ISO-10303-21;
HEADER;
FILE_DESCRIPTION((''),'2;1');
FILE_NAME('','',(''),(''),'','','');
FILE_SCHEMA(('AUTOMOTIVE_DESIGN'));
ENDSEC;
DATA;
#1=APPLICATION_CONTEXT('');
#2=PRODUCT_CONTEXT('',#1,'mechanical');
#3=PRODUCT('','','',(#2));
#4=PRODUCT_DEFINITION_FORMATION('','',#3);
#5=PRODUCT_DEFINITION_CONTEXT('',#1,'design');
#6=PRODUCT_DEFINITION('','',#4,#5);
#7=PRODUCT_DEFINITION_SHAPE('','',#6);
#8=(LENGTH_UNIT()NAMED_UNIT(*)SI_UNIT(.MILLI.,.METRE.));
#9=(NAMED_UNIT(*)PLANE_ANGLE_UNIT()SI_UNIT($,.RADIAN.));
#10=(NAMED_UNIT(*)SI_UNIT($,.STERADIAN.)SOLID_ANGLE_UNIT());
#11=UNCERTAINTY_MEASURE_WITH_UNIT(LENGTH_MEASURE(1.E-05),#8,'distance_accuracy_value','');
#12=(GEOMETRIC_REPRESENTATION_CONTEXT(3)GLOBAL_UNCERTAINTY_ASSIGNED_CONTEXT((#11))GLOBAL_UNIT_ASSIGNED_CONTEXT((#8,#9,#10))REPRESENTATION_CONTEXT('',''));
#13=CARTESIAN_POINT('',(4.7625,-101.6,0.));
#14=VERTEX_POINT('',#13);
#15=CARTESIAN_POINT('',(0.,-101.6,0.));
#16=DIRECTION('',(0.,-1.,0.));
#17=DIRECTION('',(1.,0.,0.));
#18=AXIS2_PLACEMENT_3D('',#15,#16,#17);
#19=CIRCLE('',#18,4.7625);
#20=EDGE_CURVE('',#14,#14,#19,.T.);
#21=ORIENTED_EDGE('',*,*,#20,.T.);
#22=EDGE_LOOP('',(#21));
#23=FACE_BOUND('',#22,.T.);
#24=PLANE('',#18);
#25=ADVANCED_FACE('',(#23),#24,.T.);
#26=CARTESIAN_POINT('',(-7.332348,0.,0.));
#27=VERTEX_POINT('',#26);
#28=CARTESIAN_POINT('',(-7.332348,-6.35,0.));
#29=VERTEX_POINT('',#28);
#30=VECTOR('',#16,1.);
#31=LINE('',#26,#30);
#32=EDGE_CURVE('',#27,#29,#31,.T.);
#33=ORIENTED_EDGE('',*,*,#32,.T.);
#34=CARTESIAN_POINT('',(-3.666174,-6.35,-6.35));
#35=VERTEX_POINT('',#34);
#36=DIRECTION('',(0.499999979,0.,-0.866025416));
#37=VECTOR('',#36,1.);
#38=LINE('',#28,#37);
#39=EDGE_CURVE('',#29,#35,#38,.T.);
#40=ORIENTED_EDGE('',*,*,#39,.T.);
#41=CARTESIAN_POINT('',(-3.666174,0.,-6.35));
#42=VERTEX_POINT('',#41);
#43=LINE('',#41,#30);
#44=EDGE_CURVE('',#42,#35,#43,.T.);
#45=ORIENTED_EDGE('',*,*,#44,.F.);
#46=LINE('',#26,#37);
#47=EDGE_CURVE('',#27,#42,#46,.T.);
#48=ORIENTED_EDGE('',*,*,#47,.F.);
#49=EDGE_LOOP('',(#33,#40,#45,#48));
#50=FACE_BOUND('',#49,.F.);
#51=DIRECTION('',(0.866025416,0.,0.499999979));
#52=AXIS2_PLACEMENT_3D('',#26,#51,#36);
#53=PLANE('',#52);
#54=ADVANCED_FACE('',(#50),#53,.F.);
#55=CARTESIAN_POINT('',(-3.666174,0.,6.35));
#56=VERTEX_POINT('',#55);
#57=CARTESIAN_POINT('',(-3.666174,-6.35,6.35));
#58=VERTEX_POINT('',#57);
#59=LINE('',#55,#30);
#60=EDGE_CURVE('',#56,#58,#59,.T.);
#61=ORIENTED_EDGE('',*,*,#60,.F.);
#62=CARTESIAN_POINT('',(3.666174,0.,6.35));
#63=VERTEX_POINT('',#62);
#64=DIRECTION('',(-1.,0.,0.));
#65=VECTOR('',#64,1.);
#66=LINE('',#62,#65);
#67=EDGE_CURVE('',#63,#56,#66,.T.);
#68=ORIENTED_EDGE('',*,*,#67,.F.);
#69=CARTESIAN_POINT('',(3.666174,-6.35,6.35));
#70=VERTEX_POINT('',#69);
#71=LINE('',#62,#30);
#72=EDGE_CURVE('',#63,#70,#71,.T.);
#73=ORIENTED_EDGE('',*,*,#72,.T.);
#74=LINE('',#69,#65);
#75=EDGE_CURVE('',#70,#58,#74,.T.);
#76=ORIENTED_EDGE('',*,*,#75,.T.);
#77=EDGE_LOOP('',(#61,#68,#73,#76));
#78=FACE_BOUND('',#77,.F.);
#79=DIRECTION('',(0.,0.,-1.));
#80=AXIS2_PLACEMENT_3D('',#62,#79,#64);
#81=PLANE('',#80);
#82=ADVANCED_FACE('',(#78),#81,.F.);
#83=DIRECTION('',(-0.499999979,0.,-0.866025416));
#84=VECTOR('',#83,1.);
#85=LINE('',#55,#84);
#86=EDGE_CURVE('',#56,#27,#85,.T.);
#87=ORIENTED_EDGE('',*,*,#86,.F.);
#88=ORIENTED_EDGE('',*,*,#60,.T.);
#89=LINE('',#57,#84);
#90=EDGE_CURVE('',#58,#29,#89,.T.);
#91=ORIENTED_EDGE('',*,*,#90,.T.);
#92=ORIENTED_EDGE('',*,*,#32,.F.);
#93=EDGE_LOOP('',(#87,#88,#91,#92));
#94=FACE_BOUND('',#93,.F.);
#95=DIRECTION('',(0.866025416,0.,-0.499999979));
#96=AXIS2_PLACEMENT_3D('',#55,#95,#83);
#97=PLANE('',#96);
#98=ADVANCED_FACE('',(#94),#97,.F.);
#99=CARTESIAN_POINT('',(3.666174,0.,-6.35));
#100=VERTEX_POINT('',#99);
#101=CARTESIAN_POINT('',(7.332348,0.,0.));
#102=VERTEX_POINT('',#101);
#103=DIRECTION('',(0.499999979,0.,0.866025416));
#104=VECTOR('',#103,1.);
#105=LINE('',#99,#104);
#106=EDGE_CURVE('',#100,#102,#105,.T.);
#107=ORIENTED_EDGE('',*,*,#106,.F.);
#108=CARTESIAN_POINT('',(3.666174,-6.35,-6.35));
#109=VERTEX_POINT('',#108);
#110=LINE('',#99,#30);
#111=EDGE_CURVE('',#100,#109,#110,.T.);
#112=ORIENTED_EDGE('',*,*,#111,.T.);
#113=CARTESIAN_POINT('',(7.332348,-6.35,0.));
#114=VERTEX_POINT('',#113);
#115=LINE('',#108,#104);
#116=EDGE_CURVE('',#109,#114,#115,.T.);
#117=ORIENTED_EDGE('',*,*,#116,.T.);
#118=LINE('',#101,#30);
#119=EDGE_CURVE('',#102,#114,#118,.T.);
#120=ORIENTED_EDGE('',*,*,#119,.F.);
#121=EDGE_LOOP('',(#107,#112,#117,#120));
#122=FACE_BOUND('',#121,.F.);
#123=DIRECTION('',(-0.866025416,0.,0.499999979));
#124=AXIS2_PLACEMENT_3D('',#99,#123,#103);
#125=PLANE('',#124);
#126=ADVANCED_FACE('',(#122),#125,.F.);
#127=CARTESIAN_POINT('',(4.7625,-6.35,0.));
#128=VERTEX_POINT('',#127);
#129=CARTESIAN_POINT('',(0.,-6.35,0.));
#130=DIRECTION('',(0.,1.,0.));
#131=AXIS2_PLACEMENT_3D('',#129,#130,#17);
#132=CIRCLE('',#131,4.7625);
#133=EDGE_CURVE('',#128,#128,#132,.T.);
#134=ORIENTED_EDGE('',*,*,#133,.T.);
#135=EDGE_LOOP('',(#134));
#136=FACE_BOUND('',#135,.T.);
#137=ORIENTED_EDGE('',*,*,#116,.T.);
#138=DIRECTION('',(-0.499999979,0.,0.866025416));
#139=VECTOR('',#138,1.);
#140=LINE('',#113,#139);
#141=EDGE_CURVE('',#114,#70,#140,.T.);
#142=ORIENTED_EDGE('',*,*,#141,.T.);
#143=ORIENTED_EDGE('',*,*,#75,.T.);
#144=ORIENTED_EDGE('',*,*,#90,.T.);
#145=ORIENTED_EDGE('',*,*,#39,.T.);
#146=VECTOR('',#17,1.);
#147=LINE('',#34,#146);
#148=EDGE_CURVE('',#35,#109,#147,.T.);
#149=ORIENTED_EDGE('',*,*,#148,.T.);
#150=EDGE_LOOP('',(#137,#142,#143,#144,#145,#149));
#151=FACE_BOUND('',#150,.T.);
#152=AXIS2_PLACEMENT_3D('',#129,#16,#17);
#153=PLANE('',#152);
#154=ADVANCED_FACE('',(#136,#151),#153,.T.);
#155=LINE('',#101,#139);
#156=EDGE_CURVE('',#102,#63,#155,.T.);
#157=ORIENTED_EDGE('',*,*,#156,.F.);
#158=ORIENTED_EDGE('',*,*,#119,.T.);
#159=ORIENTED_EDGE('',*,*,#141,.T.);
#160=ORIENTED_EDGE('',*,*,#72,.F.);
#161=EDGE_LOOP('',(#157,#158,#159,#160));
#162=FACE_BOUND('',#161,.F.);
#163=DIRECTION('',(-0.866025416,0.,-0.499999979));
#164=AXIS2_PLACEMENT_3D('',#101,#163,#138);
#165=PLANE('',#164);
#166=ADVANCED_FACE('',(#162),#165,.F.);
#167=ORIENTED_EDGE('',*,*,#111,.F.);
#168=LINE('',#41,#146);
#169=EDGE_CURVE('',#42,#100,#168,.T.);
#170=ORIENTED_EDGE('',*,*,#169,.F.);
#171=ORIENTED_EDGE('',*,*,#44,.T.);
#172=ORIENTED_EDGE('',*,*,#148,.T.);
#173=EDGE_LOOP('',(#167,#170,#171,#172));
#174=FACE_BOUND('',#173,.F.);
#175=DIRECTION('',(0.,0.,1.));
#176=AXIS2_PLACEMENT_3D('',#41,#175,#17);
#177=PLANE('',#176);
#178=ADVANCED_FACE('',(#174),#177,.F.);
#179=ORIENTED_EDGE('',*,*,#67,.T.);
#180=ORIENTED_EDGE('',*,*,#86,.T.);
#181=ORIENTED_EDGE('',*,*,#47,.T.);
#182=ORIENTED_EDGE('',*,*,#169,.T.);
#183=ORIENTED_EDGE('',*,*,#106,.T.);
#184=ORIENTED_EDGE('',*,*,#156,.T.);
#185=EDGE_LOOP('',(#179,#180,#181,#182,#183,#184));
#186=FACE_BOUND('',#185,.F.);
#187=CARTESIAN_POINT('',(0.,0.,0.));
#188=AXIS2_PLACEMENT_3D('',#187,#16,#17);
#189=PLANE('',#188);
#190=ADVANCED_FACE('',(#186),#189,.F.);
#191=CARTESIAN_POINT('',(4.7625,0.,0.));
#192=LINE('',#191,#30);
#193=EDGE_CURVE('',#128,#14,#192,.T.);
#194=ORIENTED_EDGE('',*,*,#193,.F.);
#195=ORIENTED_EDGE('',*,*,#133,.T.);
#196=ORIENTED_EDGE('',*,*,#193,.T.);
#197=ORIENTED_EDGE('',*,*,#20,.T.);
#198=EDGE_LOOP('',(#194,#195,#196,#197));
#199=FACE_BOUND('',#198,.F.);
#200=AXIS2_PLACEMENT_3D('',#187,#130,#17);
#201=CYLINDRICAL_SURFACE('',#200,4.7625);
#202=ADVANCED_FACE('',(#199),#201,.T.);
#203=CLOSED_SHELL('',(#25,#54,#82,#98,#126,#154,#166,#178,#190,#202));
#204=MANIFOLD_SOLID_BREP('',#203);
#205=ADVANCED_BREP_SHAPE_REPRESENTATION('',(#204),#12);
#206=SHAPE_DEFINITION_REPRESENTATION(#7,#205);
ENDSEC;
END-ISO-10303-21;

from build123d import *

# Parameters (mm, degrees)
F0_R     = 4.7625
F1_DEPTH = 101.6
F3_DEPTH = 6.35


with BuildPart() as f1:
    # F0 (on Front) → F1 (new body)
    with BuildSketch(Plane.XZ):
        Circle(F0_R)
    extrude(amount=F1_DEPTH)

    # F2 (on Front) → F3 (join)
    with BuildSketch(Plane.XZ):
        Polygon((-3.666174, -6.35), (3.666174, -6.35), (7.332348, 0), (3.666174, 6.35), (-3.666174, 6.35), (-7.332348, 0), align=None)
    extrude(amount=F3_DEPTH)


solid = f1.part
